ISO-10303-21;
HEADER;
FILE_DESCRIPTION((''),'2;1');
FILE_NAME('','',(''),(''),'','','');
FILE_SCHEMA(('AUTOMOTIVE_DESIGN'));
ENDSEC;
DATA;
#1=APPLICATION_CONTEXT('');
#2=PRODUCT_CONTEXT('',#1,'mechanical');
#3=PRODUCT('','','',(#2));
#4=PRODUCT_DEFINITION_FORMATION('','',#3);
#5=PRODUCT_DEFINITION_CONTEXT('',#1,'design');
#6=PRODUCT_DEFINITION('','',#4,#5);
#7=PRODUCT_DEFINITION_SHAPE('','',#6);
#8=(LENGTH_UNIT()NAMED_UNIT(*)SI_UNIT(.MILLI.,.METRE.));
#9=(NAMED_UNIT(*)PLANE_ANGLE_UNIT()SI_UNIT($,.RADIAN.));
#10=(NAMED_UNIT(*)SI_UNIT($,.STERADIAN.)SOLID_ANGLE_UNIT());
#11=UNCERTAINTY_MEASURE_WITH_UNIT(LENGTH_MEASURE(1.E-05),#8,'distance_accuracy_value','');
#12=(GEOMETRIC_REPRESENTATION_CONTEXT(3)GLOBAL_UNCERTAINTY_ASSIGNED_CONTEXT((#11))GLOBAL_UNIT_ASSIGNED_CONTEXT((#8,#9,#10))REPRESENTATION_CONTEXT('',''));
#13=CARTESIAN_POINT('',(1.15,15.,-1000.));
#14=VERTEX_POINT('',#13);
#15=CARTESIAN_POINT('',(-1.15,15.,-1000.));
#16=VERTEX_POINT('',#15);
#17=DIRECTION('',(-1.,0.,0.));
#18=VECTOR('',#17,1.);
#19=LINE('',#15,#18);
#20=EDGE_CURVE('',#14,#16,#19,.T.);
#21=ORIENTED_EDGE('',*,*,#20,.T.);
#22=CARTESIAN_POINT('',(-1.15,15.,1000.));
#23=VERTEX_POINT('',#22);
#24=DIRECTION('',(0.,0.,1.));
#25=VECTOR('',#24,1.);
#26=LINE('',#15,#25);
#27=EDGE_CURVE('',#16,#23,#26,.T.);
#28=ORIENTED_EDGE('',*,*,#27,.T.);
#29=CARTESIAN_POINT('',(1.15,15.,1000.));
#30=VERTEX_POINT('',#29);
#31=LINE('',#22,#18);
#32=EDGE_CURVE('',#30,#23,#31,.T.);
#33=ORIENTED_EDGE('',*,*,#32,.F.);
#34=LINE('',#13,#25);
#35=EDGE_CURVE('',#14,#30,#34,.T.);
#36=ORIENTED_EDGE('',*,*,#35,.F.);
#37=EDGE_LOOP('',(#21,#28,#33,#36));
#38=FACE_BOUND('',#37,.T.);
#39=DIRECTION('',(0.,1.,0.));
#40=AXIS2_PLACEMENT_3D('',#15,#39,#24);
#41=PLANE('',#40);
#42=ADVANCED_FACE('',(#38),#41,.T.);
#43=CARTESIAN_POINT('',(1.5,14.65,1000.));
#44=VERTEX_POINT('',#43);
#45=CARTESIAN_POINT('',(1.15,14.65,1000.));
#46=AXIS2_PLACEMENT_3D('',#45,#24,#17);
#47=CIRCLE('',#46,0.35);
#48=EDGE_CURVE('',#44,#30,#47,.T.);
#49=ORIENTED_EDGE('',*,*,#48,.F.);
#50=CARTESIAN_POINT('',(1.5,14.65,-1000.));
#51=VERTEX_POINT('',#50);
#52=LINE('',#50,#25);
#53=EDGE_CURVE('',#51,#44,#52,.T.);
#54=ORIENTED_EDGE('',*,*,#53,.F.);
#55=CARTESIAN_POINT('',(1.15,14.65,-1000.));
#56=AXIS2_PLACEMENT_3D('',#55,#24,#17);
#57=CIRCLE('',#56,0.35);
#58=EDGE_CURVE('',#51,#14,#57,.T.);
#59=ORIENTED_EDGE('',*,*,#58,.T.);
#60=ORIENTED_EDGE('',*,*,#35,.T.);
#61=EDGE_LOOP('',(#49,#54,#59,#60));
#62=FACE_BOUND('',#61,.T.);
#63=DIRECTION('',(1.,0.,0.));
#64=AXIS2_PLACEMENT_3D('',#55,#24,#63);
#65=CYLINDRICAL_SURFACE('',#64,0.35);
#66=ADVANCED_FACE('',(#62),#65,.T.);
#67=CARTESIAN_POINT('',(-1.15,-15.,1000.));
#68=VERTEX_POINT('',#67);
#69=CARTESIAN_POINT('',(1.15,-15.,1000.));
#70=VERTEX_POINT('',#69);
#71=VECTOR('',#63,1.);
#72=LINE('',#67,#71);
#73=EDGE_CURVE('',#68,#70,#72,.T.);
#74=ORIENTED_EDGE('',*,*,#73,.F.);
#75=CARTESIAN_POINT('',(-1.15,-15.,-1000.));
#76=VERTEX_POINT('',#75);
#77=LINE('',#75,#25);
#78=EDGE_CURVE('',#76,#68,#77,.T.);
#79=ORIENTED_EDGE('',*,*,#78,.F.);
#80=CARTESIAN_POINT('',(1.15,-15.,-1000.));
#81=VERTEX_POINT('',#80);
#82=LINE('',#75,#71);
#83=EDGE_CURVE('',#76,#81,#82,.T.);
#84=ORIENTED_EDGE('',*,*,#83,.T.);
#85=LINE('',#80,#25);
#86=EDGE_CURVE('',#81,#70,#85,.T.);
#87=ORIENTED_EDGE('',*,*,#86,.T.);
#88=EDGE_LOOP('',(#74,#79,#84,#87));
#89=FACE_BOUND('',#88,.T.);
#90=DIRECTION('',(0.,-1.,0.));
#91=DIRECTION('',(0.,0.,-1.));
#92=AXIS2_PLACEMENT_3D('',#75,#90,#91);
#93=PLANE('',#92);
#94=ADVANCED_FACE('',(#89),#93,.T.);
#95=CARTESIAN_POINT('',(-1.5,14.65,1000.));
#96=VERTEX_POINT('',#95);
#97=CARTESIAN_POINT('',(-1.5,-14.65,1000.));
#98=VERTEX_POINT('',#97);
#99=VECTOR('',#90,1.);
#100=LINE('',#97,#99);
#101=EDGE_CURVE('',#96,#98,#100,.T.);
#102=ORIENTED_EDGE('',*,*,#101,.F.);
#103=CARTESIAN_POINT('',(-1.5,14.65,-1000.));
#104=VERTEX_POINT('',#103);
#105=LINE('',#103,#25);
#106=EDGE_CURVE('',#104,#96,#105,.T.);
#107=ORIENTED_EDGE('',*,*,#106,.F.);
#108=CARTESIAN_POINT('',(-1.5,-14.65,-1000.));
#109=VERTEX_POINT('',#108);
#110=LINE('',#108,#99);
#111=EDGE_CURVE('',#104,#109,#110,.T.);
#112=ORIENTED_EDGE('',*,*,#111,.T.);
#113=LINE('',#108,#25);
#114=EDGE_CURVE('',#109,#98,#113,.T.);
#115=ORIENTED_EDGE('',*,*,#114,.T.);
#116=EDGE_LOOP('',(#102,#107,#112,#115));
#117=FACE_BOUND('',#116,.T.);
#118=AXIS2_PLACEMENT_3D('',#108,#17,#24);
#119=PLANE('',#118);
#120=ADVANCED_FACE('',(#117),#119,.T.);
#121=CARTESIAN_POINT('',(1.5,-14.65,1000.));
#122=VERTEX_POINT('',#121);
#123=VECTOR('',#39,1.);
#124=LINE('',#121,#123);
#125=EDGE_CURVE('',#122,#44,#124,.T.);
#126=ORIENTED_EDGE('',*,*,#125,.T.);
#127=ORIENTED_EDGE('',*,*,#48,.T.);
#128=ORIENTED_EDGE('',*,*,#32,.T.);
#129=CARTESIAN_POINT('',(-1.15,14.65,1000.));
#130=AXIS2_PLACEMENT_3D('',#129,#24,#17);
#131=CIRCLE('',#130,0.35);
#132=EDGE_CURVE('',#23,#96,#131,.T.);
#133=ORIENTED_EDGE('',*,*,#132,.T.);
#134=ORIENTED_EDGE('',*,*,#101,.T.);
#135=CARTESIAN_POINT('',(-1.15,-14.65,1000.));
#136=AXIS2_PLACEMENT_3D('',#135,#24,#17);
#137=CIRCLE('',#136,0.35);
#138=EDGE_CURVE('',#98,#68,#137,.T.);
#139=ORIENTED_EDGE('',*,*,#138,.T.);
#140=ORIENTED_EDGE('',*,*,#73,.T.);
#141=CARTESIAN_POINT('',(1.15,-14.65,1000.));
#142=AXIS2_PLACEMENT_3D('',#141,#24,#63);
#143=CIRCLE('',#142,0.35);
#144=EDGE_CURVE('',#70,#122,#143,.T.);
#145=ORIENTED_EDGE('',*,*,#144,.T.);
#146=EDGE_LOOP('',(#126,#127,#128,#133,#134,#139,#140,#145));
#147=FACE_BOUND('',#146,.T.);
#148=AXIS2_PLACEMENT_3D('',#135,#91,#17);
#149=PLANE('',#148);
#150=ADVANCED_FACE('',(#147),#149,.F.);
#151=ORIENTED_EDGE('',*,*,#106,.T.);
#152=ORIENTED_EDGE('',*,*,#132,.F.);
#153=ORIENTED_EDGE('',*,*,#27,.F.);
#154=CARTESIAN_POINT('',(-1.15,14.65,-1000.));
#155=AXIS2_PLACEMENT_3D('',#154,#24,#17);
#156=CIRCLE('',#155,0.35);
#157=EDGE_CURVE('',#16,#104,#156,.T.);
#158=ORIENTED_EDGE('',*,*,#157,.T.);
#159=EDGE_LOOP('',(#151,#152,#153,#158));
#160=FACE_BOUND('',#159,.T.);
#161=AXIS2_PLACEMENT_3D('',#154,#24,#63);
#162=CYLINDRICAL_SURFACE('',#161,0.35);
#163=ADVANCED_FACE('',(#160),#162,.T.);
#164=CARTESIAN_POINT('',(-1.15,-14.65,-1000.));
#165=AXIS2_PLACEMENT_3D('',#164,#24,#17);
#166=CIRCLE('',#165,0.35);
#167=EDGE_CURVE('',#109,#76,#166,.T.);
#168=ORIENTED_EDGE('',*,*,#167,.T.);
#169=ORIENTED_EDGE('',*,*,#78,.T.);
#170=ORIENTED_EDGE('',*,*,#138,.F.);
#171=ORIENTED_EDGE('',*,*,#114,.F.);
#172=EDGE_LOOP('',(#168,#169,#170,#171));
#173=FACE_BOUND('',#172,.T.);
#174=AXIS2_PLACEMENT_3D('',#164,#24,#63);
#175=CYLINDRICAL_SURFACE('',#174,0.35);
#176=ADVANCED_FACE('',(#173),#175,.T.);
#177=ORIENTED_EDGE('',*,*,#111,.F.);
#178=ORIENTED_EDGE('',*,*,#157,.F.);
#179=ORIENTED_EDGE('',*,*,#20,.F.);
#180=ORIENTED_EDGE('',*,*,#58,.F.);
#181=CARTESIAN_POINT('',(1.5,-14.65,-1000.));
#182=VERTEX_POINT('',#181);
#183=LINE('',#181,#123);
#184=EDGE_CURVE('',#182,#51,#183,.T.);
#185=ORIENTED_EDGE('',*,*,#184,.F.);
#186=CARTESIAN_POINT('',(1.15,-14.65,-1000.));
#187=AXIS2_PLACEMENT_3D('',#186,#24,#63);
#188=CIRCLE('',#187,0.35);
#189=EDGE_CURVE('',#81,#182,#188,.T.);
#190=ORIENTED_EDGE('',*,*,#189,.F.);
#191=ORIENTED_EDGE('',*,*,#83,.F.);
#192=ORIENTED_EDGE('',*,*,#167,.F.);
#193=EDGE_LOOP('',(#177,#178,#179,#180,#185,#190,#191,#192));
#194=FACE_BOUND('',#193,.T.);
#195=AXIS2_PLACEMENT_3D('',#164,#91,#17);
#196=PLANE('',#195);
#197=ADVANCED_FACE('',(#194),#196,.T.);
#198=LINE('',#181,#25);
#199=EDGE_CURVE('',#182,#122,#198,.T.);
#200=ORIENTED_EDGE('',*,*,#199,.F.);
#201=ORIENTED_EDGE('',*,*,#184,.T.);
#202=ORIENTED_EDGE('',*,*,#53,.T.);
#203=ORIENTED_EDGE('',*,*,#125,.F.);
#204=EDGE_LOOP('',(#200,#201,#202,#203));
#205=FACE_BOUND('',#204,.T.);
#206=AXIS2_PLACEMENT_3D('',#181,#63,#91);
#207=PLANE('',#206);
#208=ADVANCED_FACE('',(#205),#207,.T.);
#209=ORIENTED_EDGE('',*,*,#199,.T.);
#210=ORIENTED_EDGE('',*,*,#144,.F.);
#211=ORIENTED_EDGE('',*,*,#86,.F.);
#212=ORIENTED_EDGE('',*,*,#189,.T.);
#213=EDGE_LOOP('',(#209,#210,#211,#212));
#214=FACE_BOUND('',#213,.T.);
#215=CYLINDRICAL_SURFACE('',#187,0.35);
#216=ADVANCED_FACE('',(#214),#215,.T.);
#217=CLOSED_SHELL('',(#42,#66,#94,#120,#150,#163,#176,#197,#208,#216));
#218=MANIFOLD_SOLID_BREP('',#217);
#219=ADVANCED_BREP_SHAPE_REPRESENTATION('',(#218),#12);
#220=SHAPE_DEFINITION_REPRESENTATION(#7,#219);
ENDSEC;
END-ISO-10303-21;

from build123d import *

# Parameters (mm, degrees)
BOSS_EXTRUDE1_DEPTH      = 1000
BOSS_EXTRUDE1_DEPTH_BACK = 1000


with BuildPart() as part:
    # Sketch1 → Boss-Extrude1 (new, two sides: drawn at the far end of the back side and taken through both)
    with BuildSketch(Plane.XY.offset(-BOSS_EXTRUDE1_DEPTH_BACK)):
        with BuildLine():
            Line((-1.15, -15), (1.15, -15))
            ThreePointArc((1.15, -15), (1.397487373, -14.897487373), (1.5, -14.65))
            Line((1.5, -14.65), (1.5, 14.65))
            ThreePointArc((1.5, 14.65), (1.397487373, 14.897487373), (1.15, 15))
            Line((1.15, 15), (-1.15, 15))
            ThreePointArc((-1.15, 15), (-1.397487373, 14.897487373), (-1.5, 14.65))
            Line((-1.5, 14.65), (-1.5, -14.65))
            ThreePointArc((-1.5, -14.65), (-1.397487373, -14.897487373), (-1.15, -15))
        make_face()
    extrude(amount=BOSS_EXTRUDE1_DEPTH + BOSS_EXTRUDE1_DEPTH_BACK)


solid = part.part
